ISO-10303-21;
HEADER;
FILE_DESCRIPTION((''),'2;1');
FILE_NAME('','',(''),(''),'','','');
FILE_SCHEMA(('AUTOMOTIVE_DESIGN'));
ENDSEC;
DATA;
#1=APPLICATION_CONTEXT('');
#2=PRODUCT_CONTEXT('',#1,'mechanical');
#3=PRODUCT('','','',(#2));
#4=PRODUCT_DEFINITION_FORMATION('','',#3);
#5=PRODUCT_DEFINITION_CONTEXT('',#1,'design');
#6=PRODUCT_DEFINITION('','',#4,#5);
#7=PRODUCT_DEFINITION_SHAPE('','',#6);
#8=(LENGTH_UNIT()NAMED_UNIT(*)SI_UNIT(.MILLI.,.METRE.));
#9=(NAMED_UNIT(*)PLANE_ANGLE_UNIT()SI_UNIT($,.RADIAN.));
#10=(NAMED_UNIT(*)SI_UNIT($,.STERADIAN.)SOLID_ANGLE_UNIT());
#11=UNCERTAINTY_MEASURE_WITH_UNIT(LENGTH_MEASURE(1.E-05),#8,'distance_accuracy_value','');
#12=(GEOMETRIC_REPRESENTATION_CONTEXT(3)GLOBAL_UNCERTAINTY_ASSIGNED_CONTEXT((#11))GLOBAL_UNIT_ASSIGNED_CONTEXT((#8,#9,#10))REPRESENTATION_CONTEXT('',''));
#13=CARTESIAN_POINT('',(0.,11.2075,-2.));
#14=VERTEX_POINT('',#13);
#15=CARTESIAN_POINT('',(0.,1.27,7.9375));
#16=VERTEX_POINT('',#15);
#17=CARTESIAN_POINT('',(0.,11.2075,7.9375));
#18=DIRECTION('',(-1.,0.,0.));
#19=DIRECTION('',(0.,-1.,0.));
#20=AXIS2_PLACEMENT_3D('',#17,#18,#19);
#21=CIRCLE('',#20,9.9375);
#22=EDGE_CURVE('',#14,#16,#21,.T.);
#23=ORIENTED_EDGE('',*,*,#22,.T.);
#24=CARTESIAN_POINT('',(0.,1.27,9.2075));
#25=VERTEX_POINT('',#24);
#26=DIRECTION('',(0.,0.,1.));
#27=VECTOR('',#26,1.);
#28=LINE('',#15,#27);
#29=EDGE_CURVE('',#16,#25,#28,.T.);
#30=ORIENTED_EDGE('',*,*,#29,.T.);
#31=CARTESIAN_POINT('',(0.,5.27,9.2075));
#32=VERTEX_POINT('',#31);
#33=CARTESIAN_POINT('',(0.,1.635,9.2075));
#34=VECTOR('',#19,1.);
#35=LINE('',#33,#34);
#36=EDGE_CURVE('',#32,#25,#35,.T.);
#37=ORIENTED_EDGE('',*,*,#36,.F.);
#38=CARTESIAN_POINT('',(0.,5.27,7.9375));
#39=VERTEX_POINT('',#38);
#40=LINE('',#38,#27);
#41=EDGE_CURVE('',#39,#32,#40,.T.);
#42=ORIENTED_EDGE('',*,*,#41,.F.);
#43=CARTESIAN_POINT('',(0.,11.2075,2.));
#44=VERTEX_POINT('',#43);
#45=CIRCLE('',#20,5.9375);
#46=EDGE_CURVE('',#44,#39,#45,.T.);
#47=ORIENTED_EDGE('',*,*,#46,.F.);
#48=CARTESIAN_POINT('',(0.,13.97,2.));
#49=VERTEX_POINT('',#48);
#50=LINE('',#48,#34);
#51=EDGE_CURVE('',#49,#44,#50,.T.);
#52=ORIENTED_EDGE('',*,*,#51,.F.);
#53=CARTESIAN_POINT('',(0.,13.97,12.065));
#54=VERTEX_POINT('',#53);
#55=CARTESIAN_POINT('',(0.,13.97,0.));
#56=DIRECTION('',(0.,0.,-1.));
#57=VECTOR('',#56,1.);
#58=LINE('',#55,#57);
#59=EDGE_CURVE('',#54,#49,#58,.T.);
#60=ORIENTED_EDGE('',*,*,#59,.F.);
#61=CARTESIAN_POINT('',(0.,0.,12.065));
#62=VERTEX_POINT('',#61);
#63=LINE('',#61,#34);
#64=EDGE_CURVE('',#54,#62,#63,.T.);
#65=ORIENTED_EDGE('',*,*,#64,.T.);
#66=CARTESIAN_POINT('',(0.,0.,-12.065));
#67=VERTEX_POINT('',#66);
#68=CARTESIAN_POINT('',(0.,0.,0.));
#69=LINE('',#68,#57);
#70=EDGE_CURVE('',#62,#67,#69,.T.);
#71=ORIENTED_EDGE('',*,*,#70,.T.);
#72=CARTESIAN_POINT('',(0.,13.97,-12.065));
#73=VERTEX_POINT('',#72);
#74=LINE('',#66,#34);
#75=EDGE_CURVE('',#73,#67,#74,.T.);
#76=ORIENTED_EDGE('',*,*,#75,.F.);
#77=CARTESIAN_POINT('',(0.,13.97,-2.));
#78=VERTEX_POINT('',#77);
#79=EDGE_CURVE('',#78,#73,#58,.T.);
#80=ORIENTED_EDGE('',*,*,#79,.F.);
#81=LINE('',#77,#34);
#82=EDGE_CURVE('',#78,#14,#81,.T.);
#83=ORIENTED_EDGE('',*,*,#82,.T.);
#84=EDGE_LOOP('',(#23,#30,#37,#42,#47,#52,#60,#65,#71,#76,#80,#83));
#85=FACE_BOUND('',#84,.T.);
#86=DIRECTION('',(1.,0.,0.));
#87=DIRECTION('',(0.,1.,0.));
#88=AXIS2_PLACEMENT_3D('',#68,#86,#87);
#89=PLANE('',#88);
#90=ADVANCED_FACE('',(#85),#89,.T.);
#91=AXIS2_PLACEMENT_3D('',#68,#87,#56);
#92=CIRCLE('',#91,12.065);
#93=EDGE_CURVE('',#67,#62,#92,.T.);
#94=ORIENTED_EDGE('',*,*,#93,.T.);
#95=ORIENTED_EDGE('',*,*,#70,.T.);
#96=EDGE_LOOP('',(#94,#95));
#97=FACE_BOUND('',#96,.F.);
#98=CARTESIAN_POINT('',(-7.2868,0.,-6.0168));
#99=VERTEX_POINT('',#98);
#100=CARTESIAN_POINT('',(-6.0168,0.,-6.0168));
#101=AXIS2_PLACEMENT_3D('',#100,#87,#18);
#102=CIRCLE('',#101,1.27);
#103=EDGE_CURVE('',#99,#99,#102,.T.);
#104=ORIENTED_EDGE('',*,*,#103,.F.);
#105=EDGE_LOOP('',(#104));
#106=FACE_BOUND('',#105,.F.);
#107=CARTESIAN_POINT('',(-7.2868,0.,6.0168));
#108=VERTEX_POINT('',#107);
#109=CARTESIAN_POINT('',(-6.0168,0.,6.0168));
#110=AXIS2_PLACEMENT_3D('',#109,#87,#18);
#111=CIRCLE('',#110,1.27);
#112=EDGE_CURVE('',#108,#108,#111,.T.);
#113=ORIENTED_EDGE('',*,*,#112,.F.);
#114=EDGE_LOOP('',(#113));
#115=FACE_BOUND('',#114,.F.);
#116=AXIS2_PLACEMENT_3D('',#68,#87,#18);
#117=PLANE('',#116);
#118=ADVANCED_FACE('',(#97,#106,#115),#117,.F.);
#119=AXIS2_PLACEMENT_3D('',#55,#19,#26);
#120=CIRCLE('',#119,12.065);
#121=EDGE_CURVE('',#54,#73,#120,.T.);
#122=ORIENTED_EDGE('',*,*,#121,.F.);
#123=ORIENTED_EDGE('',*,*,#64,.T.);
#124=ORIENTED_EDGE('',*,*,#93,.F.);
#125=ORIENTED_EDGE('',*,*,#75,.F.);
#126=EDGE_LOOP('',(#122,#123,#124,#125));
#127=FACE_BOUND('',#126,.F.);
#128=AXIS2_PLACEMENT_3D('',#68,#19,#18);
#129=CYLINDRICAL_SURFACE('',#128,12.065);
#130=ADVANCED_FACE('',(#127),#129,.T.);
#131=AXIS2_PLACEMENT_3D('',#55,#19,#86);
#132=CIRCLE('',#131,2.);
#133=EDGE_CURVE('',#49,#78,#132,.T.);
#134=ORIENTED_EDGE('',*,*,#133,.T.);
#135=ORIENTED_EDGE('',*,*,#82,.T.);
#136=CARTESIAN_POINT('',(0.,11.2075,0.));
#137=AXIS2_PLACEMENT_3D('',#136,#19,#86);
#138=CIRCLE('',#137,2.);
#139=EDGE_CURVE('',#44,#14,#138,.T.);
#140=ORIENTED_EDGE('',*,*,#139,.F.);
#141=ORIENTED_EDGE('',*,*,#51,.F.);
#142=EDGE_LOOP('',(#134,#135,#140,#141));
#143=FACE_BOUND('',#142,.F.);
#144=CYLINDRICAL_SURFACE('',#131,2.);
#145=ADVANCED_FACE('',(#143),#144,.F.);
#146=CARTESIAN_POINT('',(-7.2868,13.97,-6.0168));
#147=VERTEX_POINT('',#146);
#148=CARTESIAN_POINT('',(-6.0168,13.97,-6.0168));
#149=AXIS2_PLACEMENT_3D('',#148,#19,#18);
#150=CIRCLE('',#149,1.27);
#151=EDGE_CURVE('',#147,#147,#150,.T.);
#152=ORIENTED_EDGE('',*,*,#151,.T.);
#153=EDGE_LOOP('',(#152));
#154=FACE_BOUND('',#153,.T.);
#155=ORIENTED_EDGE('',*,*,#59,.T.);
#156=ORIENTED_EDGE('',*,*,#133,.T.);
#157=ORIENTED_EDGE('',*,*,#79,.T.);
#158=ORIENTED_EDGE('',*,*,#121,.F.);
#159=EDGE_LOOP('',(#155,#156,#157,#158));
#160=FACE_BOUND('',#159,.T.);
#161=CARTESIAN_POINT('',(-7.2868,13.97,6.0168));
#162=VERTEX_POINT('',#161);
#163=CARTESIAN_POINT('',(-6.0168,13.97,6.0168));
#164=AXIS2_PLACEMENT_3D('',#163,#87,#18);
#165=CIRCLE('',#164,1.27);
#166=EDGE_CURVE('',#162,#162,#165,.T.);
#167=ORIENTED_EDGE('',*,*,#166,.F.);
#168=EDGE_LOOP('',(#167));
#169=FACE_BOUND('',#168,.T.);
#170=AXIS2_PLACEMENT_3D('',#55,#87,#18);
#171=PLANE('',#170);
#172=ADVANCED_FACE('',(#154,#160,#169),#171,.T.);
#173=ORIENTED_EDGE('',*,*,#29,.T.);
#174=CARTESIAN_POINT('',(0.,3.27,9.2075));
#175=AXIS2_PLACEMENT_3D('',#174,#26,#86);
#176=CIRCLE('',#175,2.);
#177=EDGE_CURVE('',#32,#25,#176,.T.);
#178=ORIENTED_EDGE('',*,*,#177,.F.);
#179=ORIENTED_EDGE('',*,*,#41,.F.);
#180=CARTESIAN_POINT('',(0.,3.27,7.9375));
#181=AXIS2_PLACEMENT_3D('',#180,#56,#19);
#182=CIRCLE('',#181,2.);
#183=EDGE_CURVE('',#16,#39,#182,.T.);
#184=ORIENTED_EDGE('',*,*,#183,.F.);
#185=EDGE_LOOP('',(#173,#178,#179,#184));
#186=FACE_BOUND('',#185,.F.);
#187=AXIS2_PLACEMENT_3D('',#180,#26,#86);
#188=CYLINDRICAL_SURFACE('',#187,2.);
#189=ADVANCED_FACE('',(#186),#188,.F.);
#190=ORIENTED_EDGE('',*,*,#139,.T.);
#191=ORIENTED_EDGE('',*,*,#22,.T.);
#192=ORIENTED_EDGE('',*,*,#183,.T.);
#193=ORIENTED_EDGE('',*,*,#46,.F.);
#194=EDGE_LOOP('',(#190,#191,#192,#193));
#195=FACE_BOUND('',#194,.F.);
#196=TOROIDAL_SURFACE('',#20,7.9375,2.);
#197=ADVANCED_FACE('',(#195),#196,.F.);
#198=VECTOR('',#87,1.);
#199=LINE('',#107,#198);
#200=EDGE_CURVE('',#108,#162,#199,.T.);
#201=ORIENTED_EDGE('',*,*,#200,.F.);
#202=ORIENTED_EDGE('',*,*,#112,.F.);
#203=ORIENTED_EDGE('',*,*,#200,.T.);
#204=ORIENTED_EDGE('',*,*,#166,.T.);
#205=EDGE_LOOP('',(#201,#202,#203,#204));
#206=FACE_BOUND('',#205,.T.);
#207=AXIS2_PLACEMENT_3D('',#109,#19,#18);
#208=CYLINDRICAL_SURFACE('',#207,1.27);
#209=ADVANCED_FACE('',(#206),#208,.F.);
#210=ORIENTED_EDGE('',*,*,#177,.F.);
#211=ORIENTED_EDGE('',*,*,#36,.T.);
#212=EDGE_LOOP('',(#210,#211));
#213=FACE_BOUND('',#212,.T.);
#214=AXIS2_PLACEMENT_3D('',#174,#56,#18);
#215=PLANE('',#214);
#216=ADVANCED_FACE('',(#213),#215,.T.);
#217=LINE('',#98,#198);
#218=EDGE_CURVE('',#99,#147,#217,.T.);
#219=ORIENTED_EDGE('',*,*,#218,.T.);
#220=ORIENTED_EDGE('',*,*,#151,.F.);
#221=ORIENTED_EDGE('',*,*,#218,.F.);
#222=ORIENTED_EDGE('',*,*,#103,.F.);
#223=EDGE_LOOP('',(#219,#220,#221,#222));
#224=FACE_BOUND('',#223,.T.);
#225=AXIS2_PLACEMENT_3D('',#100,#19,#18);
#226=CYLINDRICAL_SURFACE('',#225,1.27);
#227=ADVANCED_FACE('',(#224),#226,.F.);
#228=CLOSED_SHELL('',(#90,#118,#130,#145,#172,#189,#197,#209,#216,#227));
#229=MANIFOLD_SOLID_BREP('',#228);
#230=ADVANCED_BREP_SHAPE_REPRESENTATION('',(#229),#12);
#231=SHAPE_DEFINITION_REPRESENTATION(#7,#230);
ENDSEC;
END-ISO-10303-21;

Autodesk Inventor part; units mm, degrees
ref_plane "YZ Plane" through (0, 0, 0) normal (1, 0, 0) x (0, 1, 0)
ref_plane "XZ Plane" through (0, 0, 0) normal (0, 1, 0) x (-1, 0, 0)
ref_plane "XY Plane" through (0, 0, 0) normal (0, 0, 1) x (1, 0, 0)
sketch "Sketch1" plane through (0, 0, 0) normal (0, 1, 0) x (-1, 0, 0)
  circle A0 centre (0, 0) radius 12.065
  line L0 (0, 0) -> (6.0168, -6.0168)
  line L1 (0, 0) -> (8.509, 0) construction
  circle A1 centre (6.0168, -6.0168) radius 1.27
  circle A2 centre (6.0168, 6.0168) radius 1.27
  circle A3 centre (-6.0168, 6.0168) radius 1.27
  circle A4 centre (-6.0168, -6.0168) radius 1.27
  dimension "d0" = 24.13
  dimension "d1" = 45
  dimension "d2" = 8.509
  dimension "d3" = 2.54
  dimension "d6" = 360
extrude "Extrusion1" add sketch "Sketch1" along normal blind 13.97
sketch "Sketch2" plane through (0, 0, 0) normal (1, 0, 0) x (0, 1, 0)
  line L0 (13.97, -12.065) -> (13.97, 12.065) projected
  line L1 (13.97, 0) -> (11.2075, 0)
  line L2 (11.2075, 0) -> (3.27, 0)
  line L3 (3.27, 0) -> (3.27, 7.9375)
  line L4 (3.27, 7.9375) -> (3.27, 9.2075)
  line L5 (0, 12.065) -> (0, -12.065) projected
  arc A0 (3.27, 7.9375) -> (11.2075, 0) centre (11.2075, 7.9375) ccw
  point P0 (0, 0)
  dimension "d15" = 7.9375
  dimension "d16" = 7.9375
  dimension "d17" = 1.27
  dimension "d18" = 3.27
sketch "Sketch3" plane through (0, 13.97, 0) normal (0, 1, 0) x (1, 0, 0)
  circle A0 centre (0, 0) radius 2
  dimension "d14" = 4
sweep "Sweep1" cut profiles "Sketch3" path "Sketch2" path curves L1 A0 L4
sketch "Sketch4" plane through (0, 0, 0) normal (1, 0, 0) x (0, 1, 0)
  line L0 (21.6749, -17.4359) -> (-6.3985, -17.4359)
  line L1 (-6.3985, -17.4359) -> (-6.3985, 17.036)
  line L2 (-6.3985, 17.036) -> (21.6749, 17.036)
  line L3 (21.6749, 17.036) -> (21.6749, -17.4359)
  point P0 (0, 0)
extrude "Extrusion2" cut sketch "Sketch4" along normal through all
properties part number "Side1Attachment" material "ABS Plastic"
